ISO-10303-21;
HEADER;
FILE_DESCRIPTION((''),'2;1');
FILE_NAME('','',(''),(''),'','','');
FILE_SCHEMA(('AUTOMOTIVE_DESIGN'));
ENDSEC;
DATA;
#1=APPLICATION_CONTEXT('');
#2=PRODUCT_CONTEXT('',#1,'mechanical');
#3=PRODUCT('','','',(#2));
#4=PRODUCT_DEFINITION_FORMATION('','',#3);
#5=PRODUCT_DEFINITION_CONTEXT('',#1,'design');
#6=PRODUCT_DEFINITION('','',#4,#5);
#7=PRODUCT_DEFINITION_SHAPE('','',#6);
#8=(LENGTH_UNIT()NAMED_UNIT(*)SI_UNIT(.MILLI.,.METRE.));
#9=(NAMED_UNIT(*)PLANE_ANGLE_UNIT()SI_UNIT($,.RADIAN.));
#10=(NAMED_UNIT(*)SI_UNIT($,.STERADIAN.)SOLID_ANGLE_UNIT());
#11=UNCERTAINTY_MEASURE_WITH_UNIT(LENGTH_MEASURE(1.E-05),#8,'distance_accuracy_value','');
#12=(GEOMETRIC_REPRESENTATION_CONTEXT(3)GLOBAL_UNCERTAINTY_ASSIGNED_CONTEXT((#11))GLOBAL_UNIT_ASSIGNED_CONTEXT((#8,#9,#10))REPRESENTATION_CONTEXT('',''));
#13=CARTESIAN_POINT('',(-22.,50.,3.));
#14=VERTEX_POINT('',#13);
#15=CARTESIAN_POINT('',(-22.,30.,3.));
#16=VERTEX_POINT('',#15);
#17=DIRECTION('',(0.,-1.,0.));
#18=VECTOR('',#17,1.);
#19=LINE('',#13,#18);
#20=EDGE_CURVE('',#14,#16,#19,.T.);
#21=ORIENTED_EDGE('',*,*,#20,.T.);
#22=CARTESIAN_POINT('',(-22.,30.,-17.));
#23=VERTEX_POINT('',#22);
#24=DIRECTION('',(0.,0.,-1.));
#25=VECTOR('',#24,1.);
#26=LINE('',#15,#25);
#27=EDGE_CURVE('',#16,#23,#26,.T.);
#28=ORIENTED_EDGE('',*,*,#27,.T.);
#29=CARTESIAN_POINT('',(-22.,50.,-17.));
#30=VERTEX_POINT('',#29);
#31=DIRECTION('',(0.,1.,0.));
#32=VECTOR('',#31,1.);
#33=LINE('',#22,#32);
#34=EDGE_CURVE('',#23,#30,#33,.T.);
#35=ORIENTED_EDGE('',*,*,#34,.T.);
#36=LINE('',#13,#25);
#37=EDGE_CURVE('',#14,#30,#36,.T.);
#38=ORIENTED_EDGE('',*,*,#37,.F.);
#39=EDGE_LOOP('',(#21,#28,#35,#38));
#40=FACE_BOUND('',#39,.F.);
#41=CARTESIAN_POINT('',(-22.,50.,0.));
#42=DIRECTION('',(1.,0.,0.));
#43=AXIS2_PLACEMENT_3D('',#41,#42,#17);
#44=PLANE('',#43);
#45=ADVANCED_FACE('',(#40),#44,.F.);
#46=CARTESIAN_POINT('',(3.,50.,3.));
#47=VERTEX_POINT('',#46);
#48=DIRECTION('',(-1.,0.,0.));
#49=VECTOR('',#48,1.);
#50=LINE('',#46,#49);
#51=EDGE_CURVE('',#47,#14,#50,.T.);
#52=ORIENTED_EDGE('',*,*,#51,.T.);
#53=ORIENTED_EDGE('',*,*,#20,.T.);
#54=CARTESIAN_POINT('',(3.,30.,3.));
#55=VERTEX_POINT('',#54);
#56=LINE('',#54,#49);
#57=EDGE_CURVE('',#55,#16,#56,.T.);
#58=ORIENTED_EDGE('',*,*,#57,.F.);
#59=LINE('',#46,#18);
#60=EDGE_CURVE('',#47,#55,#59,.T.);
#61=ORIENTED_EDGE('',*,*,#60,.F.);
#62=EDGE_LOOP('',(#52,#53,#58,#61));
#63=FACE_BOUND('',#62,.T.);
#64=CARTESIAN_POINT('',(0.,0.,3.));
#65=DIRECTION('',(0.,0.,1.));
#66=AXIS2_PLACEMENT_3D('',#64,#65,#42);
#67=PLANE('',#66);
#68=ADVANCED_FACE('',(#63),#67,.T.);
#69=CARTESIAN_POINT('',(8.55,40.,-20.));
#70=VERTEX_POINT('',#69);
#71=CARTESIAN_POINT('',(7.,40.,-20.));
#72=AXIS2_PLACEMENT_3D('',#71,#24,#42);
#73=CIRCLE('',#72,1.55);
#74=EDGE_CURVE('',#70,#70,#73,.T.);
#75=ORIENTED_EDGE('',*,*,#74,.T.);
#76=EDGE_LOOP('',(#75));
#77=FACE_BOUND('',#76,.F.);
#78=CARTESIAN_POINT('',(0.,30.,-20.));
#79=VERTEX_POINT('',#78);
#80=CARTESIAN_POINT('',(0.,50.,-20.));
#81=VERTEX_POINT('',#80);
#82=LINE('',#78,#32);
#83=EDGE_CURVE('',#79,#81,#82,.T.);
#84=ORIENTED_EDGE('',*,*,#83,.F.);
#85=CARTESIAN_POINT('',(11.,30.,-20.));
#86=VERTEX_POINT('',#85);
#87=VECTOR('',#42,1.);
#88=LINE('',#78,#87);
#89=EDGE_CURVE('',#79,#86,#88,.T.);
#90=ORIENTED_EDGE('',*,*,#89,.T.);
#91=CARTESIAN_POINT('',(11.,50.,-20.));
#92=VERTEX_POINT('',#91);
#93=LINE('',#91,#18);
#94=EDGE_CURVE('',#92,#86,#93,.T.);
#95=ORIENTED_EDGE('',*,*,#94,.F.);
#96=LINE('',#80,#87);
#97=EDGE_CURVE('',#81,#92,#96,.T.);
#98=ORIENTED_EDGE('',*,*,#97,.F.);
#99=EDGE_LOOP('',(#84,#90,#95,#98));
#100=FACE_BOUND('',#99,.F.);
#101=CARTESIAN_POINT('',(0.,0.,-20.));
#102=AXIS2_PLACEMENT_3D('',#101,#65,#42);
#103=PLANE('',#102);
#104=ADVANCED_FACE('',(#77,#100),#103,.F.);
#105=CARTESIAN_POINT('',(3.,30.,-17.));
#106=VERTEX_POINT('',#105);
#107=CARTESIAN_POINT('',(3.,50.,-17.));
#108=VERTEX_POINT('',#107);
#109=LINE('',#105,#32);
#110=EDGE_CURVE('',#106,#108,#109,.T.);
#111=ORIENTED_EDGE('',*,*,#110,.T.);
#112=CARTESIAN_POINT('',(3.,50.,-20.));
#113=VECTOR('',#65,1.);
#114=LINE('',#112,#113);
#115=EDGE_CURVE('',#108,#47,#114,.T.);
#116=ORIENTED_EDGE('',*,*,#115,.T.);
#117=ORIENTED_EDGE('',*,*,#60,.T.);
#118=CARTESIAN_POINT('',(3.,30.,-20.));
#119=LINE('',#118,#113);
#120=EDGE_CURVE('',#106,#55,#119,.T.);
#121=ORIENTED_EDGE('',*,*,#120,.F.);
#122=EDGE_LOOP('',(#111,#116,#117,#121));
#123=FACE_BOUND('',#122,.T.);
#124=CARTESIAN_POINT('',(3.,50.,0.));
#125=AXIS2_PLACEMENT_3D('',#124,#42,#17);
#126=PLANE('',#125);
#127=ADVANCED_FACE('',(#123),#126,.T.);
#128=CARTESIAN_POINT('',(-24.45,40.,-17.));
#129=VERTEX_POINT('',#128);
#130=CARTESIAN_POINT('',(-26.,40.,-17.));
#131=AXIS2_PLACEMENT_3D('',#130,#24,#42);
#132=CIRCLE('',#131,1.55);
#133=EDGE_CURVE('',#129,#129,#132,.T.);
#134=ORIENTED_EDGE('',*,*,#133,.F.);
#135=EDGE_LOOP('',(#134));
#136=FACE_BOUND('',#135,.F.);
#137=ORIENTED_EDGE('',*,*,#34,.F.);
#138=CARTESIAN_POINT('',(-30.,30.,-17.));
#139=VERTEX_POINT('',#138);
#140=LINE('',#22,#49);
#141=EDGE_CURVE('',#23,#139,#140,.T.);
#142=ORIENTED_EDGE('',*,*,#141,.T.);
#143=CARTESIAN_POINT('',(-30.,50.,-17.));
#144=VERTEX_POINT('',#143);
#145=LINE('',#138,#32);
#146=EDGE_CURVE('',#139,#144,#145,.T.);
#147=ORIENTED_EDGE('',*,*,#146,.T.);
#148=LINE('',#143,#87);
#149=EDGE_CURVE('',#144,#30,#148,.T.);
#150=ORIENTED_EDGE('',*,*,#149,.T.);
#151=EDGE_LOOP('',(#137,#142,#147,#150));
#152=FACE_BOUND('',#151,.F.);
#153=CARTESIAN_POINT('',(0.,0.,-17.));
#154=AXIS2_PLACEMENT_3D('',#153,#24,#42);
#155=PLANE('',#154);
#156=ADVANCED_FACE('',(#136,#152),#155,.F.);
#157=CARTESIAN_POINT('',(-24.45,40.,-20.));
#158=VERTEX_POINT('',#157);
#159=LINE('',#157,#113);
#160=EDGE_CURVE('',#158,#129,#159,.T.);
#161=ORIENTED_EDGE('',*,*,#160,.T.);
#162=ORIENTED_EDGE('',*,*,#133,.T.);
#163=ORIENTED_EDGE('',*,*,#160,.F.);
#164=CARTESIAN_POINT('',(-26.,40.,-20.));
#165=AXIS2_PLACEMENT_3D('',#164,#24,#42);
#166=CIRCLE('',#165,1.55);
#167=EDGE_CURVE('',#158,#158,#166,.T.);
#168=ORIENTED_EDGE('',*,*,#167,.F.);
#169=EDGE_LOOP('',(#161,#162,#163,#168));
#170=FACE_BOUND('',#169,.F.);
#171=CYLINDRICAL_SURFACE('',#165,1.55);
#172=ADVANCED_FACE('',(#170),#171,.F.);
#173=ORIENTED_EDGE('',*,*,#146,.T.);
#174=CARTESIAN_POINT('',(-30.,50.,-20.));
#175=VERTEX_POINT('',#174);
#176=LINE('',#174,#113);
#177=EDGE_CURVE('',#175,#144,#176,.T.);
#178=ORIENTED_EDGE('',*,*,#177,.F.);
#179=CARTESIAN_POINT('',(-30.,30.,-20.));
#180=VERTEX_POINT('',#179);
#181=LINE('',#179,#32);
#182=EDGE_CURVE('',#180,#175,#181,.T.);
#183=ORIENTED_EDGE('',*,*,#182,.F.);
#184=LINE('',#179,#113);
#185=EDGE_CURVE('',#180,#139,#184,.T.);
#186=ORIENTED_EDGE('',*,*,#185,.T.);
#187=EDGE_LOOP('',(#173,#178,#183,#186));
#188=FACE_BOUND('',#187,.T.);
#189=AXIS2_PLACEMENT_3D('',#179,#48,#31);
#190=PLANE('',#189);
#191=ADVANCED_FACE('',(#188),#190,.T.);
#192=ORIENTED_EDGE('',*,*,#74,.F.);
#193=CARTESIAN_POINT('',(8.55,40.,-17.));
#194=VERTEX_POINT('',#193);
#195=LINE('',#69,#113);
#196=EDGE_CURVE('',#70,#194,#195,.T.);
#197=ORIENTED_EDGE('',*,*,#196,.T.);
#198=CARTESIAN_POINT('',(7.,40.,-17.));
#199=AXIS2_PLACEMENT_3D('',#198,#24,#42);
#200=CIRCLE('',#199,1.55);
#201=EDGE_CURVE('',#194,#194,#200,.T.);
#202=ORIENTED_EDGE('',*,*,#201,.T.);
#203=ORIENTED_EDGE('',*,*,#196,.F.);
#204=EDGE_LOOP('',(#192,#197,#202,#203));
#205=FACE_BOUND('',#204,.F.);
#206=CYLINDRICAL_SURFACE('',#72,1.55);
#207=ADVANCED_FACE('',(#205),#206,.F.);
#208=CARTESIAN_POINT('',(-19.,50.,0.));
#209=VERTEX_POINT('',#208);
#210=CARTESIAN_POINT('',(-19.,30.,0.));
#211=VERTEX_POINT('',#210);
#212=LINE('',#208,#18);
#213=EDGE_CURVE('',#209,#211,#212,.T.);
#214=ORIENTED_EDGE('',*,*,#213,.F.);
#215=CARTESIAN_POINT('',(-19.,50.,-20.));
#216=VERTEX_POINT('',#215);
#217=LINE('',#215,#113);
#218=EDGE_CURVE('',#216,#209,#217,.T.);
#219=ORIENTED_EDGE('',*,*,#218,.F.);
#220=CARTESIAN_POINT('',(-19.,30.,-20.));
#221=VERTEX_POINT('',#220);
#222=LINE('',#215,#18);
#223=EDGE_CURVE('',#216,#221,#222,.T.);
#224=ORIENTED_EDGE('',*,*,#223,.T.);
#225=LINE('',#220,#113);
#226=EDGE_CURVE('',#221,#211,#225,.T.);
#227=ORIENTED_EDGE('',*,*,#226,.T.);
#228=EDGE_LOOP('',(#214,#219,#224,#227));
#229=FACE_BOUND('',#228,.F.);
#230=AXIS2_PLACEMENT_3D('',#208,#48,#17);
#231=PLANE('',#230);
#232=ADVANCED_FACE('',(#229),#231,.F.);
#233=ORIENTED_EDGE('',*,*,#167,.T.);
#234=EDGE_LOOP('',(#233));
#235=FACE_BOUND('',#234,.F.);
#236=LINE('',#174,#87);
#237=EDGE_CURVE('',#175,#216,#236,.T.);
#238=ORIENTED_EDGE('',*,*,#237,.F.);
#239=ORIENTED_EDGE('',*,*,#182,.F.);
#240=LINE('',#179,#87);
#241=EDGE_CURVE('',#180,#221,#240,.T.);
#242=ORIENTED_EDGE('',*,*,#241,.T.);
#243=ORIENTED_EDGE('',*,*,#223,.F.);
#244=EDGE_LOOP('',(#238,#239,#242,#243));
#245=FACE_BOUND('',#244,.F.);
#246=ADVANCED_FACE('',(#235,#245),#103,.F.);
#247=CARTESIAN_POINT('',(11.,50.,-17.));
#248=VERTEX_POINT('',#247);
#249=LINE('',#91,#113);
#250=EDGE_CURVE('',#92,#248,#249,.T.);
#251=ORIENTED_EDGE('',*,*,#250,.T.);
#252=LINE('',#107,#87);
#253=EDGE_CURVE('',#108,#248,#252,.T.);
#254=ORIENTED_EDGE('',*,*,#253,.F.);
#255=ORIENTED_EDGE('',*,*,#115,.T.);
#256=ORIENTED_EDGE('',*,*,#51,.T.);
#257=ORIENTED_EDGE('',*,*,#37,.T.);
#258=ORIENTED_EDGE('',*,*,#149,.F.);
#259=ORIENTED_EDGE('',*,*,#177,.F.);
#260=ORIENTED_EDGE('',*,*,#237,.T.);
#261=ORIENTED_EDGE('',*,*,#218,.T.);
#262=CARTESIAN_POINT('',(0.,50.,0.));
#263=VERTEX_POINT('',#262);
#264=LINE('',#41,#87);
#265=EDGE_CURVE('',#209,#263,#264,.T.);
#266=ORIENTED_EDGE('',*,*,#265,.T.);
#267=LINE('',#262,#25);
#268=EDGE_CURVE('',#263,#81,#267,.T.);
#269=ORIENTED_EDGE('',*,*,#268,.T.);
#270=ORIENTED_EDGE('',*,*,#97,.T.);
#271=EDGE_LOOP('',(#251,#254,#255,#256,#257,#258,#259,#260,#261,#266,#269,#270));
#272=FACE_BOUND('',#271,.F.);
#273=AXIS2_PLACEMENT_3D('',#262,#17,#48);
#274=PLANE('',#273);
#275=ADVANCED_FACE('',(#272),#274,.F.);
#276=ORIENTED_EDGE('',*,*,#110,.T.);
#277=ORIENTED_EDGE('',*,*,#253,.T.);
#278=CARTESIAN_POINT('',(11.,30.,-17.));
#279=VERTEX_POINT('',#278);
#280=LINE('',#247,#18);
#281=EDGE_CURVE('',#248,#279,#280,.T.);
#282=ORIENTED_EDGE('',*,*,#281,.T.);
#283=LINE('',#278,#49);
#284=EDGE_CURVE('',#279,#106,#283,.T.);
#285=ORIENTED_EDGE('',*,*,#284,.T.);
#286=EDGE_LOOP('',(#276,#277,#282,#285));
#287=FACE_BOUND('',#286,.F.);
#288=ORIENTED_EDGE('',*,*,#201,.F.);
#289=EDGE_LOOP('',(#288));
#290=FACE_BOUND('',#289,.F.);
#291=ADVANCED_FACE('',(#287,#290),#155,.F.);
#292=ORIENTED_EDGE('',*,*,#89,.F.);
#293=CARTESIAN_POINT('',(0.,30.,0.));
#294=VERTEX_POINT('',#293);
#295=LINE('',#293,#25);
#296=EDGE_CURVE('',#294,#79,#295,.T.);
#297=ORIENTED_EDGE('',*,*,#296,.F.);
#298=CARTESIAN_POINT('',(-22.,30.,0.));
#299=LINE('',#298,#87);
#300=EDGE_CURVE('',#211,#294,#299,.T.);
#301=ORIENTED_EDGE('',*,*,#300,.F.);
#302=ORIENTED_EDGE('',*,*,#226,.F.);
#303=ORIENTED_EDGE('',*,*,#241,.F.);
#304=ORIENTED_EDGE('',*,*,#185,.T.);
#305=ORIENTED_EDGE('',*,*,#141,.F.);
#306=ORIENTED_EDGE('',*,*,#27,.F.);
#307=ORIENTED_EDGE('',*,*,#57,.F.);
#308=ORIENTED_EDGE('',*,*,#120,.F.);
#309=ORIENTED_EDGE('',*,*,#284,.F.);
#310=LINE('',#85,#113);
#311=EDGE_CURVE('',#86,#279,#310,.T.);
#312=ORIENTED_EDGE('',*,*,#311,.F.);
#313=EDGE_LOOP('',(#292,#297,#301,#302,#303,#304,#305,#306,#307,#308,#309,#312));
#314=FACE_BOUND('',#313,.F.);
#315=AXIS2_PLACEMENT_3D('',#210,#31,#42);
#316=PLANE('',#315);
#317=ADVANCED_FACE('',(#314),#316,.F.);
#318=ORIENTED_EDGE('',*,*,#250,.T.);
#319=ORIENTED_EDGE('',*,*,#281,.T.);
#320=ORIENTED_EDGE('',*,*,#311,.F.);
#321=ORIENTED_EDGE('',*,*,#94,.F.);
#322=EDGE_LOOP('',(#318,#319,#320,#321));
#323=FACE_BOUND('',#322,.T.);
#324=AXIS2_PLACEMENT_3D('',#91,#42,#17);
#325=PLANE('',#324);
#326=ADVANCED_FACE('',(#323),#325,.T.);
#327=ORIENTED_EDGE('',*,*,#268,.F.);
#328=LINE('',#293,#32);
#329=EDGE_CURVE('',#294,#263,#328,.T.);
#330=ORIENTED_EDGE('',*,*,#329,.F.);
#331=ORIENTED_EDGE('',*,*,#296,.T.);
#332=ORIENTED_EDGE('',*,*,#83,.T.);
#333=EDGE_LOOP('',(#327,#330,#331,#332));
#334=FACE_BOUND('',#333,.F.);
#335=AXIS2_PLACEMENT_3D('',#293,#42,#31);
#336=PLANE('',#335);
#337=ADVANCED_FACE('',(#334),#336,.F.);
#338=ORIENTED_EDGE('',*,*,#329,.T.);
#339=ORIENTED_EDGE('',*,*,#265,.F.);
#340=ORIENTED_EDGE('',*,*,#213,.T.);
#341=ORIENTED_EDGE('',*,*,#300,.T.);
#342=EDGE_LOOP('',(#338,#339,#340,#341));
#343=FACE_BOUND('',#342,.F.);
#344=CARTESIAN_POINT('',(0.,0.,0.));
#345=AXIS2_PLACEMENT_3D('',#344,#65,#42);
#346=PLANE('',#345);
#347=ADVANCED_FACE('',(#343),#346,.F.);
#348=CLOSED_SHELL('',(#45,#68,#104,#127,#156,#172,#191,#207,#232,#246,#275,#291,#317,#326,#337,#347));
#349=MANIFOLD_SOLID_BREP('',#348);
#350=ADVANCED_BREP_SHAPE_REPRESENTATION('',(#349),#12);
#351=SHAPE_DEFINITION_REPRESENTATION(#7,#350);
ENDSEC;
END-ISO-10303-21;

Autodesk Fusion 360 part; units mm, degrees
sketch "Sketch1" plane through (0, 0, 0) normal (1, 0, 0) x (0, 1, 0) in component "Integrated frame"
  circle A0 centre (-46.8244, 18.5) radius 1.5
  circle A1 centre (-9.8244, 18.5) radius 1.5
  circle A2 centre (-46.8244, -18.5) radius 1.5
  circle A3 centre (-9.8244, -18.5) radius 1.5
  line L0 (0, 0) -> (0, 35.4619) construction
  line L1 (60, 100) -> (-60, 100)
  line L2 (-60, 100) -> (-60, -100)
  line L3 (-60, -100) -> (60, -100)
  line L4 (60, -100) -> (60, 100)
  line L5 (60, 100) -> (-60, -100) construction
  line L6 (-60, 100) -> (60, -100) construction
  circle A4 centre (46.8244, 18.5) radius 1.5
  circle A5 centre (46.8244, -18.5) radius 1.5
  circle A6 centre (9.8244, -18.5) radius 1.5
  circle A7 centre (9.8244, 18.5) radius 1.5
  line L7 (-18.5, -45.3481) -> (-21.5, -45.3481)
  line L8 (-21.5, -45.3481) -> (-21.5, -70.3481)
  line L9 (-21.5, -70.3481) -> (-18.5, -70.3481)
  line L10 (-18.5, -70.3481) -> (-18.5, -45.3481)
  line L11 (21.5, -45.3481) -> (21.5, -70.3481)
  line L12 (18.5, -70.3481) -> (18.5, -45.3481)
  line L13 (18.5, -45.3481) -> (21.5, -45.3481)
  line L14 (21.5, -70.3481) -> (18.5, -70.3481)
  circle A8 centre (-43.3091, 82.7998) radius 1.5
  circle A9 centre (-21.3091, 82.7998) radius 1.5
  circle A10 centre (21.3091, 82.7998) radius 1.5
  circle A11 centre (43.3091, 82.7998) radius 1.5
  line L15 (0, 0) -> (33.4715, 0) construction
  circle A12 centre (-43.3091, -82.7998) radius 1.5
  circle A13 centre (-21.3091, -82.7998) radius 1.5
  circle A14 centre (43.3091, -82.7998) radius 1.5
  circle A15 centre (21.3091, -82.7998) radius 1.5
  point P0 (-28.3244, 0)
  dimension "d246" = 3
  dimension "d248" = 18.5
  dimension "d249" = 18.5
  dimension "d252" = 37
  dimension "d253" = -37
  dimension "d261" = 120
  dimension "d262" = 200
  dimension "d264" = 3
  dimension "d265" = 25
  dimension "d266" = 18.5
  dimension "d269" = 3
  dimension "d270" = 3
  dimension "d271" = 22
sketch "Sketch1 (2)" plane through (0, 0, 0) normal (0, 0, 1) x (1, 0, 0) in component "MotorClamp"
  line L0 (0, 50) -> (-19, 50)
  line L1 (-19, 50) -> (-19, 30)
  line L2 (-19, 30) -> (0, 30)
  line L3 (0, 30) -> (0, 50)
  line L4 (-19, 50) -> (-22, 50)
  line L5 (-22, 50) -> (-22, 30)
  line L6 (-22, 30) -> (-19, 30)
  line L7 (-19, 30) -> (-19, 50)
  line L8 (0, 50) -> (3, 50)
  line L9 (3, 50) -> (3, 30)
  line L10 (3, 30) -> (0, 30)
  line L11 (0, 30) -> (0, 50)
  dimension "d272" = 19
  dimension "d273" = 20
  dimension "d274" = 3
  dimension "d275" = 3
extrude "Extrude1" add sketch "Sketch1 (2)" along normal blind 3 in component "MotorClamp"
extrude "Extrude2" add sketch "Sketch1 (2)" against normal blind 17 contours L3 L8 L9 L10 L11 | L1 L4 L5 L6 L7 in component "MotorClamp"
extrude "Extrude3" add 2 faces at (-20, 36.6667, -17) (1, 43.3333, -17) along direction (0, 0, -1) blind 3 in component "MotorClamp"
sketch "Sketch2" plane through (0, 0, -20) normal (0, 0, -1) x (1, 0, 0) in component "MotorClamp"
  line L0 (-19, -50) -> (-19, -30)
  line L1 (-19, -30) -> (-22, -30)
  line L2 (-22, -30) -> (-22, -50)
  line L3 (-22, -50) -> (-19, -50)
  line L4 (-22, -30) -> (-30, -30)
  line L5 (-30, -30) -> (-30, -50)
  line L6 (-30, -50) -> (-22, -50)
  line L7 (-22, -50) -> (-22, -30)
  line L8 (3, -50) -> (11, -50)
  line L9 (11, -50) -> (11, -30)
  line L10 (11, -30) -> (3, -30)
  line L11 (3, -30) -> (3, -50)
  line L12 (-30, -30) -> (-22, -50) construction
  line L13 (-30, -50) -> (-22, -30) construction
  line L14 (3, -30) -> (11, -50) construction
  line L15 (3, -50) -> (11, -30) construction
  circle A0 centre (-26, -40) radius 1.55
  circle A1 centre (7, -40) radius 1.55
  dimension "d282" = 8
  dimension "d283" = 8
  dimension "d284" = 25
  dimension "d285" = 3.1
  dimension "d286" = 3.1
extrude "Extrude4" add sketch "Sketch2" against normal blind 3 contours L2 L4 L5 L6 L7 | L8 L9 L10 L11 in component "MotorClamp"
extrude "Extrude1'" [suppressed] in component "Integrated frame"
sketch "Laser cut sketch" plane through (3, 0, 0) normal (1, 0, 0) x (0, 1, 0) in component "Integrated frame"
  circle A0 centre (-9.8244, -18.5) radius 1.5
  circle A1 centre (-46.8244, -18.5) radius 1.5
  circle A2 centre (-46.8244, 18.5) radius 1.5
  circle A3 centre (-9.8244, 18.5) radius 1.5
  circle A4 centre (46.8244, 18.5) radius 1.5
  circle A5 centre (46.8244, -18.5) radius 1.5
  circle A6 centre (9.8244, -18.5) radius 1.5
  circle A7 centre (9.8244, 18.5) radius 1.5
  line L0 (-18.5, -45.3481) -> (-18.5, -70.3481)
  line L1 (-18.5, -70.3481) -> (-21.5, -70.3481)
  line L2 (-21.5, -70.3481) -> (-21.5, -45.3481)
  line L3 (-21.5, -45.3481) -> (-18.5, -45.3481)
  line L4 (21.5, -45.3481) -> (21.5, -70.3481)
  line L5 (21.5, -70.3481) -> (18.5, -70.3481)
  line L6 (18.5, -70.3481) -> (18.5, -45.3481)
  line L7 (18.5, -45.3481) -> (21.5, -45.3481)
  line L8 (60, -100) -> (60, 100)
  line L9 (60, 100) -> (-60, 100)
  line L10 (-60, 100) -> (-60, -100)
  line L11 (-60, -100) -> (60, -100)
extrude "Extrude2'" [suppressed]
component "Integrated frame" placed x (1, 0, 0) y (0, 1, 0) z (0, 0, 1) at (0, 0, 0)
component "MotorClamp" placed x (1, 0, 0) y (0, 1, 0) z (0, 0, 1) at (0, 0, 0)
equation "partLength = 250 mm"
equation "partWidth = 25 mm"
equation "boltHole = 3 mm"
equation "boltFromEdgesClose = 10 mm"
equation "boltGap = 12 mm"
equation "boltFromEdgesFar = 40 mm"
equation "boltGapFromSide = ( partWidth - boltGap ) / 2"
equation "boltGapDiag = boltGap * sqrt(2)"
equation "d246 = boltHole"
equation "d248 = ( 37 / 2 ) * 1 mm"
equation "d249 = ( 37 / 2 ) * 1 mm"
equation "d266 = ( 37 / 2 ) * 1 mm"
equation "d269 = boltHole"
equation "d270 = boltHole"
equation "d285 = boltHole + 0.1 mm"
equation "d286 = boltHole + 0.1 mm"
